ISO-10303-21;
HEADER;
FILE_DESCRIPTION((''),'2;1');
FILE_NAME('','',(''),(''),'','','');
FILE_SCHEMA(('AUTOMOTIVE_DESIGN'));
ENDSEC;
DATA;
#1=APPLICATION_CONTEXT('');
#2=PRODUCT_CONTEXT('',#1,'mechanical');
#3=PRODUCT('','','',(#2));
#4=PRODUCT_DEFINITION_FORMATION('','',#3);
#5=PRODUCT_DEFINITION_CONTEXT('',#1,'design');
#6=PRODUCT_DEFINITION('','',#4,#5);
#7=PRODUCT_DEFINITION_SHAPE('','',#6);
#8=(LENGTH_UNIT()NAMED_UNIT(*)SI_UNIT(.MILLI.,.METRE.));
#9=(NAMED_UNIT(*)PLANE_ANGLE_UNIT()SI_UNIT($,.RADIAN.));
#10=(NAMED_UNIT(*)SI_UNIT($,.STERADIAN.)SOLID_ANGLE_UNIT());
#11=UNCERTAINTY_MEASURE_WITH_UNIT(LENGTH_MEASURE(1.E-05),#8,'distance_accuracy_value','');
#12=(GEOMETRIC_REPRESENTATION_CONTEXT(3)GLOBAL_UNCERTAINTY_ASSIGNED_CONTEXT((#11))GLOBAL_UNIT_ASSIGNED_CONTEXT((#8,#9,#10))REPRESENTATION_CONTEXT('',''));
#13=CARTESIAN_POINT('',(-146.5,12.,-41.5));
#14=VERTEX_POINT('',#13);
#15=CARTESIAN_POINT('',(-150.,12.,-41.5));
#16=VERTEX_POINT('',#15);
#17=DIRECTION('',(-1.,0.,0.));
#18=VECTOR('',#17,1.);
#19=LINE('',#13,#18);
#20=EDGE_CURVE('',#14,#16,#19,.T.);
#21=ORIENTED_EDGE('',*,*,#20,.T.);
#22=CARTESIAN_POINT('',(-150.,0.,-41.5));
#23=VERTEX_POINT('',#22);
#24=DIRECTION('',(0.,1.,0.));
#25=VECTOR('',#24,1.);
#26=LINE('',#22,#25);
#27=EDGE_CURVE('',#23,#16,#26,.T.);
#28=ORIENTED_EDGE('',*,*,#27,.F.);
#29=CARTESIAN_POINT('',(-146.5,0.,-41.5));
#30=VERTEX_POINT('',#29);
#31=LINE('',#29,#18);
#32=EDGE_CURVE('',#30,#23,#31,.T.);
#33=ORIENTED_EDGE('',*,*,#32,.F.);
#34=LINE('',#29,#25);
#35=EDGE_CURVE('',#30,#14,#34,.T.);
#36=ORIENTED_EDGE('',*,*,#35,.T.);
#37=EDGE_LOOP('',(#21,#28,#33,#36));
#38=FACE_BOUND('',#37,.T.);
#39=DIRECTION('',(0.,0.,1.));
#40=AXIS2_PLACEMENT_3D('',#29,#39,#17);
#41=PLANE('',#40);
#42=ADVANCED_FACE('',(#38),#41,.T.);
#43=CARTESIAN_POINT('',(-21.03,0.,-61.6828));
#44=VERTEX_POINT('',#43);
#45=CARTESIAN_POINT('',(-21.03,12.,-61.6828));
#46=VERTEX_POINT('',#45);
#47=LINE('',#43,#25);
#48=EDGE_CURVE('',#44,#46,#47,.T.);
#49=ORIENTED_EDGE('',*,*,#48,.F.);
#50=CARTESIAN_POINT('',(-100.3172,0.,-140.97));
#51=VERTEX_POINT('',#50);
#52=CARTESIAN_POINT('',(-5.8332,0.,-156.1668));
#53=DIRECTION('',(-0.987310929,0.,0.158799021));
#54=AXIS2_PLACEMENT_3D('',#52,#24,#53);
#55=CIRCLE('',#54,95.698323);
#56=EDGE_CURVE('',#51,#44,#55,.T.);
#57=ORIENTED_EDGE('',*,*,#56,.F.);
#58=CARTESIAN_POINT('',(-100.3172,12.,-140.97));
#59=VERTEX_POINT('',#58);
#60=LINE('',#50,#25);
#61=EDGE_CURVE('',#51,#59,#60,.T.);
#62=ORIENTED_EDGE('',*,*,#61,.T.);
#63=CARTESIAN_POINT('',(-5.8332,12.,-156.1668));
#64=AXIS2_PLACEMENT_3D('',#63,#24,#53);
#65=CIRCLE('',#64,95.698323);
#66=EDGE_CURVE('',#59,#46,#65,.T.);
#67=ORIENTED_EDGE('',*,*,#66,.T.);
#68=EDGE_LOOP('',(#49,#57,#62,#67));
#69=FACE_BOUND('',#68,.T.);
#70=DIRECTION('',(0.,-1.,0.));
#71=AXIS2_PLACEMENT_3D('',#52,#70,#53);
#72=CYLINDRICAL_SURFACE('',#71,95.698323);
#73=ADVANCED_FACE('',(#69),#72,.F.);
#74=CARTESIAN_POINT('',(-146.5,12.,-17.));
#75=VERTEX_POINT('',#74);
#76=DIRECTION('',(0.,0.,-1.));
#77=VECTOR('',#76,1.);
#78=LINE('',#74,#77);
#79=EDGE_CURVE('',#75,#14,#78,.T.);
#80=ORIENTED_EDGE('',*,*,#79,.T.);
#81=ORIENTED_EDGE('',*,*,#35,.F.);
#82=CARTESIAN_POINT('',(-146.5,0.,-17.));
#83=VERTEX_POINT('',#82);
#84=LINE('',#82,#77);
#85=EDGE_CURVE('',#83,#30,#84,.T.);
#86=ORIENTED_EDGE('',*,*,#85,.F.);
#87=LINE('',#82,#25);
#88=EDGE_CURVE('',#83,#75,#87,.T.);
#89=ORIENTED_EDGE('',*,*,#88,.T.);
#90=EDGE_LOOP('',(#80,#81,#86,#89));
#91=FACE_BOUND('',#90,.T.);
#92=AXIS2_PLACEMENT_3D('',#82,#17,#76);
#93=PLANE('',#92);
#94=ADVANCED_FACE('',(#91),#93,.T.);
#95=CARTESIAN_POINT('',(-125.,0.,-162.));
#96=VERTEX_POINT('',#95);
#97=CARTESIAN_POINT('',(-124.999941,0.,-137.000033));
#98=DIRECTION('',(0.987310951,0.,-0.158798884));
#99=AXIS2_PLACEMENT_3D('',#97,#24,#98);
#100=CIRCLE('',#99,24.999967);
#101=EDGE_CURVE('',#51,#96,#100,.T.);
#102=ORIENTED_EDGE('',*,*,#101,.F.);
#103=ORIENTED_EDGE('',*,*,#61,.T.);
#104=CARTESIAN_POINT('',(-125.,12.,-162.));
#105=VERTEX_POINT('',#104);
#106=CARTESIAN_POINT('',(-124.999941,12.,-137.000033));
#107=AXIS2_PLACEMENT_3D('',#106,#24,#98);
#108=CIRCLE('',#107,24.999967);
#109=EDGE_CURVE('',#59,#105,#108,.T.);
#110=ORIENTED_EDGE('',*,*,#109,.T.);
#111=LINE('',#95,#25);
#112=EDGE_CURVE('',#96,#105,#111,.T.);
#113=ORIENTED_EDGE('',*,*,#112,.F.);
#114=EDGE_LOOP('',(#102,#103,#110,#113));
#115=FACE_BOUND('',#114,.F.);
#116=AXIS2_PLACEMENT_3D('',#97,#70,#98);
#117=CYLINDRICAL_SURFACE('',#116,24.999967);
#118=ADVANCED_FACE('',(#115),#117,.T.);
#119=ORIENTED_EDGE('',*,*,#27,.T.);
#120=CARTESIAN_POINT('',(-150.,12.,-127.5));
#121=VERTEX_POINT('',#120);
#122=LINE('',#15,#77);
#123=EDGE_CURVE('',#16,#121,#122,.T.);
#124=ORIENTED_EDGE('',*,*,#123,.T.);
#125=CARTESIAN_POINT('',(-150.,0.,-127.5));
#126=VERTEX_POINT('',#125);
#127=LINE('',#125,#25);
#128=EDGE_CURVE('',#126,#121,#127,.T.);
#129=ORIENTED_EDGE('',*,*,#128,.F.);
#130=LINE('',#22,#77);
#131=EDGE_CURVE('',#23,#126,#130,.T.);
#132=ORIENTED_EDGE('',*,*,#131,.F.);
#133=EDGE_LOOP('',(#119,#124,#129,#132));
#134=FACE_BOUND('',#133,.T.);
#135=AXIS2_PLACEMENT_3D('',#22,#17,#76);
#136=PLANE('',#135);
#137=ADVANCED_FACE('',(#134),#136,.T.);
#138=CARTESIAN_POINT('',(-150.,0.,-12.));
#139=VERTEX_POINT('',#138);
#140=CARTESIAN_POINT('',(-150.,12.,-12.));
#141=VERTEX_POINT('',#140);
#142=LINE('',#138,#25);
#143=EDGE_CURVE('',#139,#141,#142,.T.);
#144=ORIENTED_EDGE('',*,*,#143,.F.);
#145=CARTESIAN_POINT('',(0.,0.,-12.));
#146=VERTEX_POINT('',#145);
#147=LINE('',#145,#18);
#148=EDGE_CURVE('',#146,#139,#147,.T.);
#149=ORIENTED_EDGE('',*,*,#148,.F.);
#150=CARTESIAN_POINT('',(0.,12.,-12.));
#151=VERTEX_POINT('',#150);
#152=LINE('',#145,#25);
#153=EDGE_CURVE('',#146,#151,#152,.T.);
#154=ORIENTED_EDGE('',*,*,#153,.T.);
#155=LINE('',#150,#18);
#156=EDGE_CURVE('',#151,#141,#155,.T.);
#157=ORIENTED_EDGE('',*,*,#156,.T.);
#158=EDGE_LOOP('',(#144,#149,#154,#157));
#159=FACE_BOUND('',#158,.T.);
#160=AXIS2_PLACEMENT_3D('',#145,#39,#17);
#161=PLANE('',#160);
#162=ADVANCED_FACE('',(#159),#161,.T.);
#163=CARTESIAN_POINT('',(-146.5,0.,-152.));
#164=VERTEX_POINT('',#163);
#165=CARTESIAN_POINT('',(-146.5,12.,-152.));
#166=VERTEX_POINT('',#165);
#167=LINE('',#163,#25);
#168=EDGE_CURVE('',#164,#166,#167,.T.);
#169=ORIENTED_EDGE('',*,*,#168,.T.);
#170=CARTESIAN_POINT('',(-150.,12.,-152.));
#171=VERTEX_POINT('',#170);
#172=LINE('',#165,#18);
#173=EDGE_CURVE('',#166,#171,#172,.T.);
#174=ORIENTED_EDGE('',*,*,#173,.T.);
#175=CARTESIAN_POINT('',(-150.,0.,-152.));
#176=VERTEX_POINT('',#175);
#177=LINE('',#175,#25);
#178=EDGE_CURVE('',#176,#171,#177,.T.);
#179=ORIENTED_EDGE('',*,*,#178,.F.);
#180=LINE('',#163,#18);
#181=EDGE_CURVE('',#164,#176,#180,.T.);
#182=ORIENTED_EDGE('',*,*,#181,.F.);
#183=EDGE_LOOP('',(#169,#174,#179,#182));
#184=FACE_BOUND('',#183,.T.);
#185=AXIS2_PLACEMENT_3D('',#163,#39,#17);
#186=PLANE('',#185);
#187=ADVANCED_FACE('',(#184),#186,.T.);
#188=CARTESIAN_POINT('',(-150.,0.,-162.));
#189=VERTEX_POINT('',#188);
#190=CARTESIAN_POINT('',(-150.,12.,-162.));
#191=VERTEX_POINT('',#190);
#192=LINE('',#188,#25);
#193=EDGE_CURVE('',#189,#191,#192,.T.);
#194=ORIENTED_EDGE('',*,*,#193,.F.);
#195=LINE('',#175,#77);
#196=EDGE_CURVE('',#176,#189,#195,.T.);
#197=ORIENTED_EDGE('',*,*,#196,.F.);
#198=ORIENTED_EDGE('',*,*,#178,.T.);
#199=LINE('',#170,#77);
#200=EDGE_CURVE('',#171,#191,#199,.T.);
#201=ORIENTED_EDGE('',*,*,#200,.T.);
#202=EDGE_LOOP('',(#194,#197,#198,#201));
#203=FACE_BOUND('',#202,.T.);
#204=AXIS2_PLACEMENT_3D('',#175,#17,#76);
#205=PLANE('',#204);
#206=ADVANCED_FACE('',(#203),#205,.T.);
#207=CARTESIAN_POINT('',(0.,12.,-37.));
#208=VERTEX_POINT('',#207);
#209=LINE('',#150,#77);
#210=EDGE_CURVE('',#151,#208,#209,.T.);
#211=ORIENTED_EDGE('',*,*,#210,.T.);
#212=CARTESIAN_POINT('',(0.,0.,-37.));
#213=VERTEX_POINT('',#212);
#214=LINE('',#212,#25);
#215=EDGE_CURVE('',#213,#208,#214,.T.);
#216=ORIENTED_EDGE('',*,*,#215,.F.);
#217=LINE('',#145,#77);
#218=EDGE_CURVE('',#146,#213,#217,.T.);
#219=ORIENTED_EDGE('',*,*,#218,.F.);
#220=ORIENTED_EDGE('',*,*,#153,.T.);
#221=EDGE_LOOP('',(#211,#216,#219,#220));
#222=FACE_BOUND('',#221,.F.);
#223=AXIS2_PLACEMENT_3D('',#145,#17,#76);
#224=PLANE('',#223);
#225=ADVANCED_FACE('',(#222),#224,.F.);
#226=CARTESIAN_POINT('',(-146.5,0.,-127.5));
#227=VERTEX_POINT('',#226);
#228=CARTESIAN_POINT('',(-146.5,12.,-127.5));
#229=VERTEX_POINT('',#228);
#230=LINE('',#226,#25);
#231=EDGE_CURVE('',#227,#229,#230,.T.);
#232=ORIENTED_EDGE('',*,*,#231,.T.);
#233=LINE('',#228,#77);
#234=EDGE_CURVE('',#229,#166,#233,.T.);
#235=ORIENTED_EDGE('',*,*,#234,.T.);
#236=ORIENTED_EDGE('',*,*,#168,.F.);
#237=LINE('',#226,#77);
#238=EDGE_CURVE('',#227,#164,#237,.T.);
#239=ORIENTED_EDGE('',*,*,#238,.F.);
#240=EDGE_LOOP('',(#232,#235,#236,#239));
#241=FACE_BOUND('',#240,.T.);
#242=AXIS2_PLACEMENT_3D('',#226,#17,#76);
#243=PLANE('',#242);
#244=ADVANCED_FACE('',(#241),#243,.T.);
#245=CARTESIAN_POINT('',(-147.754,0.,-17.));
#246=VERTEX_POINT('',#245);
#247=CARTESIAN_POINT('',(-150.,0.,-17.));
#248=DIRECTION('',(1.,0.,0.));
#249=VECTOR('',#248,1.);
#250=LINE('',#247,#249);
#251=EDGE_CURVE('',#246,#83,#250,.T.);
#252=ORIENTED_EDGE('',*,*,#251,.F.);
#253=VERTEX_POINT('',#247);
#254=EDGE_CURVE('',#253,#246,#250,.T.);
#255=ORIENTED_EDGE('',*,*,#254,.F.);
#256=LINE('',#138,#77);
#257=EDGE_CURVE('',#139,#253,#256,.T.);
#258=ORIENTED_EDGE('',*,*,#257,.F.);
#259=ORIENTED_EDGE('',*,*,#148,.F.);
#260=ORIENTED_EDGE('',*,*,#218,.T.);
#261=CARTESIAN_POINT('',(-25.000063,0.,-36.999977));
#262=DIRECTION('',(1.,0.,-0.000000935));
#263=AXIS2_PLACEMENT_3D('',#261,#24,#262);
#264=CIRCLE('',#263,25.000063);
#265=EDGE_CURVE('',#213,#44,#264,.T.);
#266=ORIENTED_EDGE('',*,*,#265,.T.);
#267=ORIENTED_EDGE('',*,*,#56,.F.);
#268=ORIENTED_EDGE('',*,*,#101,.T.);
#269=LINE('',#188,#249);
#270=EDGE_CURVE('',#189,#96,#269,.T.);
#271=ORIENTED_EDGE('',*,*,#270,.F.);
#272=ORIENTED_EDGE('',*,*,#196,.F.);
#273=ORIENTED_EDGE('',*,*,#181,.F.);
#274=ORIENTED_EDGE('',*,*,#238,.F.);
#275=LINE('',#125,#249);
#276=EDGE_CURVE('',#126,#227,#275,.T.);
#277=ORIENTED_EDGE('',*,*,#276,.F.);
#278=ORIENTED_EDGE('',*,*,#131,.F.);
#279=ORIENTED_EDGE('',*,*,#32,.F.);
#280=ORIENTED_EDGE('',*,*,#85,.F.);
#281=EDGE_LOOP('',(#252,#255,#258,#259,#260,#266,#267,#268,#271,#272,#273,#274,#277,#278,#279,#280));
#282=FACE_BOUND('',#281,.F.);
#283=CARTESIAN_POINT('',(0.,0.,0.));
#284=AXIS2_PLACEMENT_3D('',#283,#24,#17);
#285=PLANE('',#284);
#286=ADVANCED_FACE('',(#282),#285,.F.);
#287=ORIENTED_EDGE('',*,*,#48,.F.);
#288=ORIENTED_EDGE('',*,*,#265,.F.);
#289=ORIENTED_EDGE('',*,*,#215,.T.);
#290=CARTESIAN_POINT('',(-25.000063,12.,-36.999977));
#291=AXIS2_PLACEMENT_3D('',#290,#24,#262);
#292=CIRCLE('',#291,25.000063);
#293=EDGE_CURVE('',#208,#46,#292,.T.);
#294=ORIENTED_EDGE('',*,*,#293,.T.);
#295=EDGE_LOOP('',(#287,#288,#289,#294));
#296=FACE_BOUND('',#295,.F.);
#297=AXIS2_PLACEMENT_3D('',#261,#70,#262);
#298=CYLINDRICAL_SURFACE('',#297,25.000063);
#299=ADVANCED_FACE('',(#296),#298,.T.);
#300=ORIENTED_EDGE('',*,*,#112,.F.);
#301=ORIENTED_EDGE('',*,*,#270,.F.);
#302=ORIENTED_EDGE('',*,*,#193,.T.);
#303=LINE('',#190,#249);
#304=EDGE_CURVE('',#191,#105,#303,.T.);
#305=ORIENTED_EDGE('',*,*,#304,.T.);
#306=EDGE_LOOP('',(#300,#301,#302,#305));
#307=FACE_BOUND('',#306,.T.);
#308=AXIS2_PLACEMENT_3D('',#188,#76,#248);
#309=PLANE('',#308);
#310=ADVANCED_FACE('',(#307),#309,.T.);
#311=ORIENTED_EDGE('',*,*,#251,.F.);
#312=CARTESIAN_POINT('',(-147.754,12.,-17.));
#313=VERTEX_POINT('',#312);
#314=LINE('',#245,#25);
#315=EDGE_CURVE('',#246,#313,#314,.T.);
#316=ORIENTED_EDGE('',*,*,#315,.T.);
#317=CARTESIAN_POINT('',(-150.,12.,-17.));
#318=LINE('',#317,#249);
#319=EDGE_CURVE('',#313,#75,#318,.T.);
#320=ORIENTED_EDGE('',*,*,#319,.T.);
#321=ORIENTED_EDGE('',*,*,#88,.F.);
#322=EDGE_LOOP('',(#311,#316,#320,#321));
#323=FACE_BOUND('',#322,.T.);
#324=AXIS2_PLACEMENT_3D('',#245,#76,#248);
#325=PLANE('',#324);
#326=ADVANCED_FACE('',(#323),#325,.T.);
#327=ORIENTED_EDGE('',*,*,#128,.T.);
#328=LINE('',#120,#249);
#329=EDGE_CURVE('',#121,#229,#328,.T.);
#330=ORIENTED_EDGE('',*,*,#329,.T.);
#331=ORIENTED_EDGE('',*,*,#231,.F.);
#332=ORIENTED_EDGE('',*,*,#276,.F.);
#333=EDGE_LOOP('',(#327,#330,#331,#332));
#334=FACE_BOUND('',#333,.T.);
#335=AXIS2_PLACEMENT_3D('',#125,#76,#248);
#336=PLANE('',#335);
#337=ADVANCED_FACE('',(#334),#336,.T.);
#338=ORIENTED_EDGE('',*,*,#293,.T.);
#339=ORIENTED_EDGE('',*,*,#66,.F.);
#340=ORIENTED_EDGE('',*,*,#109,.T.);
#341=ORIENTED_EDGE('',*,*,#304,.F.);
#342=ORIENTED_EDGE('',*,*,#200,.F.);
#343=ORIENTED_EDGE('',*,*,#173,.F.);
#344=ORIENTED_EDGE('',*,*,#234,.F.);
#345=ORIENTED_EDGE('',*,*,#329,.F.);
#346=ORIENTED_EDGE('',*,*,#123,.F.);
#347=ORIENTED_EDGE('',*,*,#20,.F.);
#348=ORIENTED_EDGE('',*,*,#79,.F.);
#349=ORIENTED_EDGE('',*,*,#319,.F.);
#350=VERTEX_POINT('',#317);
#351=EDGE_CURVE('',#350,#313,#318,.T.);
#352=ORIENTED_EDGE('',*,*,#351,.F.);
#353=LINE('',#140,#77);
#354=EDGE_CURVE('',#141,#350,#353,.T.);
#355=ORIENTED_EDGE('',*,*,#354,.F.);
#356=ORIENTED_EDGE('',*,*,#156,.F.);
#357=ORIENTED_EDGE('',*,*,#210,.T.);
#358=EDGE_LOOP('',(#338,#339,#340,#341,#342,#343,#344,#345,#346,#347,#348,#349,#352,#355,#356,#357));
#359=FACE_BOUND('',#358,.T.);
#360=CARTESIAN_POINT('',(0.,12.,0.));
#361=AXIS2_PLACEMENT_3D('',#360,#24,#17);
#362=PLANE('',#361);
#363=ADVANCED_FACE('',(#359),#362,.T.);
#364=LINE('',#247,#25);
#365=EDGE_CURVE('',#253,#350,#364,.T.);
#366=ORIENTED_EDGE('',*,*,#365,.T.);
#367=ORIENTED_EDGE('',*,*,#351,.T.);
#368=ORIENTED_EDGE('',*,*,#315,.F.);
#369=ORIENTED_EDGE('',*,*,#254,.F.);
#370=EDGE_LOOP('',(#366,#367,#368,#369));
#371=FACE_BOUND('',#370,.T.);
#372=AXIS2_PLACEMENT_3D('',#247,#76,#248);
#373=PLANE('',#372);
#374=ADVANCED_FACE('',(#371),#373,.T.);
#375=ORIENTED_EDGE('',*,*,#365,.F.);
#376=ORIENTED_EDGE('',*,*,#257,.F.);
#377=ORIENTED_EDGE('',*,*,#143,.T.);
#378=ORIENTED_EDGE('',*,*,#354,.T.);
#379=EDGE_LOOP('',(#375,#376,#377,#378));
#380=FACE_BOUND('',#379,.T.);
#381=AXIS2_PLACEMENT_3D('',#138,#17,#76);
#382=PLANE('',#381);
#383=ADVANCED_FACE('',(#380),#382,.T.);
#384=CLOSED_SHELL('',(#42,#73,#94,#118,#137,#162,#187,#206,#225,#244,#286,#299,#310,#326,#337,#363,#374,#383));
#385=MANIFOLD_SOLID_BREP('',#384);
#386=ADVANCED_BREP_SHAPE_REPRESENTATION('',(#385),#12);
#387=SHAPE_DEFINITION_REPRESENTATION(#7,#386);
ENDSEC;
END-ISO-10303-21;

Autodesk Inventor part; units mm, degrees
ref_plane "YZ Plane" through (0, 0, 0) normal (1, 0, 0) x (0, 1, 0)
ref_plane "XZ Plane" through (0, 0, 0) normal (0, 1, 0) x (-1, 0, 0)
ref_plane "XY Plane" through (0, 0, 0) normal (0, 0, 1) x (1, 0, 0)
sketch "Sketch1" plane through (0, 0, 0) normal (0, 1, 0) x (-1, 0, 0)
  line L0 (0, -12) -> (150, -12)
  line L1 (150, -12) -> (-170, -12)
  line L2 (150, -12) -> (150, 0)
  line L3 (-170, 0) -> (150, 0)
  line L4 (-170, -12) -> (-170, 0)
  arc A0 (0, -37) -> (21.03, -61.6828) centre (25, -37) ccw
  line L5 (0, -12) -> (0, -37)
  arc A1 (100.3172, -140.97) -> (125, -162) centre (125, -137) ccw
  line L6 (150, -162) -> (125, -162)
  arc A2 (100.3172, -140.97) -> (21.03, -61.6828) centre (5.8332, -156.1668) ccw
  line L7 (150, -17) -> (146.5, -17)
  line L8 (146.5, -17) -> (146.5, -41.5)
  line L9 (146.5, -41.5) -> (150, -41.5)
  line L10 (150, -127.5) -> (146.5, -127.5)
  line L11 (146.5, -127.5) -> (146.5, -152)
  line L12 (146.5, -152) -> (150, -152)
  line L13 (150, -12) -> (150, -17)
  line L14 (150, -41.5) -> (150, -127.5)
  line L15 (150, -152) -> (150, -162)
  line L16 (162.5, -20.3274) -> (147.5, -20.3274)
  line L17 (147.5, -37.698) -> (162.5, -37.698)
  line L18 (147.5, -40.746) -> (162.5, -40.746)
  line L19 (162.246, -41) -> (147.754, -41)
  line L20 (147.754, -17) -> (162.246, -17)
  line L21 (162.5, -17.254) -> (147.5, -17.254)
  line L22 (147.5, -20.3274) -> (147.5, -37.698) construction
  point P0 (0, 0)
extrude "Tykkelse af plade" add sketch "Sketch1" along normal blind 12 contours L0 L13 L7 L8 L9 L14 L10 L11 L12 L15 L6 A1 A2 A0 L5
equation "\"d12\" = d9"
equation "\"d13\" = d16"
equation "\"d9\" = 24.5"
equation "\"d16\" = 3.5"
properties part number "Z Holdere" material "Wood (Cherry)"
